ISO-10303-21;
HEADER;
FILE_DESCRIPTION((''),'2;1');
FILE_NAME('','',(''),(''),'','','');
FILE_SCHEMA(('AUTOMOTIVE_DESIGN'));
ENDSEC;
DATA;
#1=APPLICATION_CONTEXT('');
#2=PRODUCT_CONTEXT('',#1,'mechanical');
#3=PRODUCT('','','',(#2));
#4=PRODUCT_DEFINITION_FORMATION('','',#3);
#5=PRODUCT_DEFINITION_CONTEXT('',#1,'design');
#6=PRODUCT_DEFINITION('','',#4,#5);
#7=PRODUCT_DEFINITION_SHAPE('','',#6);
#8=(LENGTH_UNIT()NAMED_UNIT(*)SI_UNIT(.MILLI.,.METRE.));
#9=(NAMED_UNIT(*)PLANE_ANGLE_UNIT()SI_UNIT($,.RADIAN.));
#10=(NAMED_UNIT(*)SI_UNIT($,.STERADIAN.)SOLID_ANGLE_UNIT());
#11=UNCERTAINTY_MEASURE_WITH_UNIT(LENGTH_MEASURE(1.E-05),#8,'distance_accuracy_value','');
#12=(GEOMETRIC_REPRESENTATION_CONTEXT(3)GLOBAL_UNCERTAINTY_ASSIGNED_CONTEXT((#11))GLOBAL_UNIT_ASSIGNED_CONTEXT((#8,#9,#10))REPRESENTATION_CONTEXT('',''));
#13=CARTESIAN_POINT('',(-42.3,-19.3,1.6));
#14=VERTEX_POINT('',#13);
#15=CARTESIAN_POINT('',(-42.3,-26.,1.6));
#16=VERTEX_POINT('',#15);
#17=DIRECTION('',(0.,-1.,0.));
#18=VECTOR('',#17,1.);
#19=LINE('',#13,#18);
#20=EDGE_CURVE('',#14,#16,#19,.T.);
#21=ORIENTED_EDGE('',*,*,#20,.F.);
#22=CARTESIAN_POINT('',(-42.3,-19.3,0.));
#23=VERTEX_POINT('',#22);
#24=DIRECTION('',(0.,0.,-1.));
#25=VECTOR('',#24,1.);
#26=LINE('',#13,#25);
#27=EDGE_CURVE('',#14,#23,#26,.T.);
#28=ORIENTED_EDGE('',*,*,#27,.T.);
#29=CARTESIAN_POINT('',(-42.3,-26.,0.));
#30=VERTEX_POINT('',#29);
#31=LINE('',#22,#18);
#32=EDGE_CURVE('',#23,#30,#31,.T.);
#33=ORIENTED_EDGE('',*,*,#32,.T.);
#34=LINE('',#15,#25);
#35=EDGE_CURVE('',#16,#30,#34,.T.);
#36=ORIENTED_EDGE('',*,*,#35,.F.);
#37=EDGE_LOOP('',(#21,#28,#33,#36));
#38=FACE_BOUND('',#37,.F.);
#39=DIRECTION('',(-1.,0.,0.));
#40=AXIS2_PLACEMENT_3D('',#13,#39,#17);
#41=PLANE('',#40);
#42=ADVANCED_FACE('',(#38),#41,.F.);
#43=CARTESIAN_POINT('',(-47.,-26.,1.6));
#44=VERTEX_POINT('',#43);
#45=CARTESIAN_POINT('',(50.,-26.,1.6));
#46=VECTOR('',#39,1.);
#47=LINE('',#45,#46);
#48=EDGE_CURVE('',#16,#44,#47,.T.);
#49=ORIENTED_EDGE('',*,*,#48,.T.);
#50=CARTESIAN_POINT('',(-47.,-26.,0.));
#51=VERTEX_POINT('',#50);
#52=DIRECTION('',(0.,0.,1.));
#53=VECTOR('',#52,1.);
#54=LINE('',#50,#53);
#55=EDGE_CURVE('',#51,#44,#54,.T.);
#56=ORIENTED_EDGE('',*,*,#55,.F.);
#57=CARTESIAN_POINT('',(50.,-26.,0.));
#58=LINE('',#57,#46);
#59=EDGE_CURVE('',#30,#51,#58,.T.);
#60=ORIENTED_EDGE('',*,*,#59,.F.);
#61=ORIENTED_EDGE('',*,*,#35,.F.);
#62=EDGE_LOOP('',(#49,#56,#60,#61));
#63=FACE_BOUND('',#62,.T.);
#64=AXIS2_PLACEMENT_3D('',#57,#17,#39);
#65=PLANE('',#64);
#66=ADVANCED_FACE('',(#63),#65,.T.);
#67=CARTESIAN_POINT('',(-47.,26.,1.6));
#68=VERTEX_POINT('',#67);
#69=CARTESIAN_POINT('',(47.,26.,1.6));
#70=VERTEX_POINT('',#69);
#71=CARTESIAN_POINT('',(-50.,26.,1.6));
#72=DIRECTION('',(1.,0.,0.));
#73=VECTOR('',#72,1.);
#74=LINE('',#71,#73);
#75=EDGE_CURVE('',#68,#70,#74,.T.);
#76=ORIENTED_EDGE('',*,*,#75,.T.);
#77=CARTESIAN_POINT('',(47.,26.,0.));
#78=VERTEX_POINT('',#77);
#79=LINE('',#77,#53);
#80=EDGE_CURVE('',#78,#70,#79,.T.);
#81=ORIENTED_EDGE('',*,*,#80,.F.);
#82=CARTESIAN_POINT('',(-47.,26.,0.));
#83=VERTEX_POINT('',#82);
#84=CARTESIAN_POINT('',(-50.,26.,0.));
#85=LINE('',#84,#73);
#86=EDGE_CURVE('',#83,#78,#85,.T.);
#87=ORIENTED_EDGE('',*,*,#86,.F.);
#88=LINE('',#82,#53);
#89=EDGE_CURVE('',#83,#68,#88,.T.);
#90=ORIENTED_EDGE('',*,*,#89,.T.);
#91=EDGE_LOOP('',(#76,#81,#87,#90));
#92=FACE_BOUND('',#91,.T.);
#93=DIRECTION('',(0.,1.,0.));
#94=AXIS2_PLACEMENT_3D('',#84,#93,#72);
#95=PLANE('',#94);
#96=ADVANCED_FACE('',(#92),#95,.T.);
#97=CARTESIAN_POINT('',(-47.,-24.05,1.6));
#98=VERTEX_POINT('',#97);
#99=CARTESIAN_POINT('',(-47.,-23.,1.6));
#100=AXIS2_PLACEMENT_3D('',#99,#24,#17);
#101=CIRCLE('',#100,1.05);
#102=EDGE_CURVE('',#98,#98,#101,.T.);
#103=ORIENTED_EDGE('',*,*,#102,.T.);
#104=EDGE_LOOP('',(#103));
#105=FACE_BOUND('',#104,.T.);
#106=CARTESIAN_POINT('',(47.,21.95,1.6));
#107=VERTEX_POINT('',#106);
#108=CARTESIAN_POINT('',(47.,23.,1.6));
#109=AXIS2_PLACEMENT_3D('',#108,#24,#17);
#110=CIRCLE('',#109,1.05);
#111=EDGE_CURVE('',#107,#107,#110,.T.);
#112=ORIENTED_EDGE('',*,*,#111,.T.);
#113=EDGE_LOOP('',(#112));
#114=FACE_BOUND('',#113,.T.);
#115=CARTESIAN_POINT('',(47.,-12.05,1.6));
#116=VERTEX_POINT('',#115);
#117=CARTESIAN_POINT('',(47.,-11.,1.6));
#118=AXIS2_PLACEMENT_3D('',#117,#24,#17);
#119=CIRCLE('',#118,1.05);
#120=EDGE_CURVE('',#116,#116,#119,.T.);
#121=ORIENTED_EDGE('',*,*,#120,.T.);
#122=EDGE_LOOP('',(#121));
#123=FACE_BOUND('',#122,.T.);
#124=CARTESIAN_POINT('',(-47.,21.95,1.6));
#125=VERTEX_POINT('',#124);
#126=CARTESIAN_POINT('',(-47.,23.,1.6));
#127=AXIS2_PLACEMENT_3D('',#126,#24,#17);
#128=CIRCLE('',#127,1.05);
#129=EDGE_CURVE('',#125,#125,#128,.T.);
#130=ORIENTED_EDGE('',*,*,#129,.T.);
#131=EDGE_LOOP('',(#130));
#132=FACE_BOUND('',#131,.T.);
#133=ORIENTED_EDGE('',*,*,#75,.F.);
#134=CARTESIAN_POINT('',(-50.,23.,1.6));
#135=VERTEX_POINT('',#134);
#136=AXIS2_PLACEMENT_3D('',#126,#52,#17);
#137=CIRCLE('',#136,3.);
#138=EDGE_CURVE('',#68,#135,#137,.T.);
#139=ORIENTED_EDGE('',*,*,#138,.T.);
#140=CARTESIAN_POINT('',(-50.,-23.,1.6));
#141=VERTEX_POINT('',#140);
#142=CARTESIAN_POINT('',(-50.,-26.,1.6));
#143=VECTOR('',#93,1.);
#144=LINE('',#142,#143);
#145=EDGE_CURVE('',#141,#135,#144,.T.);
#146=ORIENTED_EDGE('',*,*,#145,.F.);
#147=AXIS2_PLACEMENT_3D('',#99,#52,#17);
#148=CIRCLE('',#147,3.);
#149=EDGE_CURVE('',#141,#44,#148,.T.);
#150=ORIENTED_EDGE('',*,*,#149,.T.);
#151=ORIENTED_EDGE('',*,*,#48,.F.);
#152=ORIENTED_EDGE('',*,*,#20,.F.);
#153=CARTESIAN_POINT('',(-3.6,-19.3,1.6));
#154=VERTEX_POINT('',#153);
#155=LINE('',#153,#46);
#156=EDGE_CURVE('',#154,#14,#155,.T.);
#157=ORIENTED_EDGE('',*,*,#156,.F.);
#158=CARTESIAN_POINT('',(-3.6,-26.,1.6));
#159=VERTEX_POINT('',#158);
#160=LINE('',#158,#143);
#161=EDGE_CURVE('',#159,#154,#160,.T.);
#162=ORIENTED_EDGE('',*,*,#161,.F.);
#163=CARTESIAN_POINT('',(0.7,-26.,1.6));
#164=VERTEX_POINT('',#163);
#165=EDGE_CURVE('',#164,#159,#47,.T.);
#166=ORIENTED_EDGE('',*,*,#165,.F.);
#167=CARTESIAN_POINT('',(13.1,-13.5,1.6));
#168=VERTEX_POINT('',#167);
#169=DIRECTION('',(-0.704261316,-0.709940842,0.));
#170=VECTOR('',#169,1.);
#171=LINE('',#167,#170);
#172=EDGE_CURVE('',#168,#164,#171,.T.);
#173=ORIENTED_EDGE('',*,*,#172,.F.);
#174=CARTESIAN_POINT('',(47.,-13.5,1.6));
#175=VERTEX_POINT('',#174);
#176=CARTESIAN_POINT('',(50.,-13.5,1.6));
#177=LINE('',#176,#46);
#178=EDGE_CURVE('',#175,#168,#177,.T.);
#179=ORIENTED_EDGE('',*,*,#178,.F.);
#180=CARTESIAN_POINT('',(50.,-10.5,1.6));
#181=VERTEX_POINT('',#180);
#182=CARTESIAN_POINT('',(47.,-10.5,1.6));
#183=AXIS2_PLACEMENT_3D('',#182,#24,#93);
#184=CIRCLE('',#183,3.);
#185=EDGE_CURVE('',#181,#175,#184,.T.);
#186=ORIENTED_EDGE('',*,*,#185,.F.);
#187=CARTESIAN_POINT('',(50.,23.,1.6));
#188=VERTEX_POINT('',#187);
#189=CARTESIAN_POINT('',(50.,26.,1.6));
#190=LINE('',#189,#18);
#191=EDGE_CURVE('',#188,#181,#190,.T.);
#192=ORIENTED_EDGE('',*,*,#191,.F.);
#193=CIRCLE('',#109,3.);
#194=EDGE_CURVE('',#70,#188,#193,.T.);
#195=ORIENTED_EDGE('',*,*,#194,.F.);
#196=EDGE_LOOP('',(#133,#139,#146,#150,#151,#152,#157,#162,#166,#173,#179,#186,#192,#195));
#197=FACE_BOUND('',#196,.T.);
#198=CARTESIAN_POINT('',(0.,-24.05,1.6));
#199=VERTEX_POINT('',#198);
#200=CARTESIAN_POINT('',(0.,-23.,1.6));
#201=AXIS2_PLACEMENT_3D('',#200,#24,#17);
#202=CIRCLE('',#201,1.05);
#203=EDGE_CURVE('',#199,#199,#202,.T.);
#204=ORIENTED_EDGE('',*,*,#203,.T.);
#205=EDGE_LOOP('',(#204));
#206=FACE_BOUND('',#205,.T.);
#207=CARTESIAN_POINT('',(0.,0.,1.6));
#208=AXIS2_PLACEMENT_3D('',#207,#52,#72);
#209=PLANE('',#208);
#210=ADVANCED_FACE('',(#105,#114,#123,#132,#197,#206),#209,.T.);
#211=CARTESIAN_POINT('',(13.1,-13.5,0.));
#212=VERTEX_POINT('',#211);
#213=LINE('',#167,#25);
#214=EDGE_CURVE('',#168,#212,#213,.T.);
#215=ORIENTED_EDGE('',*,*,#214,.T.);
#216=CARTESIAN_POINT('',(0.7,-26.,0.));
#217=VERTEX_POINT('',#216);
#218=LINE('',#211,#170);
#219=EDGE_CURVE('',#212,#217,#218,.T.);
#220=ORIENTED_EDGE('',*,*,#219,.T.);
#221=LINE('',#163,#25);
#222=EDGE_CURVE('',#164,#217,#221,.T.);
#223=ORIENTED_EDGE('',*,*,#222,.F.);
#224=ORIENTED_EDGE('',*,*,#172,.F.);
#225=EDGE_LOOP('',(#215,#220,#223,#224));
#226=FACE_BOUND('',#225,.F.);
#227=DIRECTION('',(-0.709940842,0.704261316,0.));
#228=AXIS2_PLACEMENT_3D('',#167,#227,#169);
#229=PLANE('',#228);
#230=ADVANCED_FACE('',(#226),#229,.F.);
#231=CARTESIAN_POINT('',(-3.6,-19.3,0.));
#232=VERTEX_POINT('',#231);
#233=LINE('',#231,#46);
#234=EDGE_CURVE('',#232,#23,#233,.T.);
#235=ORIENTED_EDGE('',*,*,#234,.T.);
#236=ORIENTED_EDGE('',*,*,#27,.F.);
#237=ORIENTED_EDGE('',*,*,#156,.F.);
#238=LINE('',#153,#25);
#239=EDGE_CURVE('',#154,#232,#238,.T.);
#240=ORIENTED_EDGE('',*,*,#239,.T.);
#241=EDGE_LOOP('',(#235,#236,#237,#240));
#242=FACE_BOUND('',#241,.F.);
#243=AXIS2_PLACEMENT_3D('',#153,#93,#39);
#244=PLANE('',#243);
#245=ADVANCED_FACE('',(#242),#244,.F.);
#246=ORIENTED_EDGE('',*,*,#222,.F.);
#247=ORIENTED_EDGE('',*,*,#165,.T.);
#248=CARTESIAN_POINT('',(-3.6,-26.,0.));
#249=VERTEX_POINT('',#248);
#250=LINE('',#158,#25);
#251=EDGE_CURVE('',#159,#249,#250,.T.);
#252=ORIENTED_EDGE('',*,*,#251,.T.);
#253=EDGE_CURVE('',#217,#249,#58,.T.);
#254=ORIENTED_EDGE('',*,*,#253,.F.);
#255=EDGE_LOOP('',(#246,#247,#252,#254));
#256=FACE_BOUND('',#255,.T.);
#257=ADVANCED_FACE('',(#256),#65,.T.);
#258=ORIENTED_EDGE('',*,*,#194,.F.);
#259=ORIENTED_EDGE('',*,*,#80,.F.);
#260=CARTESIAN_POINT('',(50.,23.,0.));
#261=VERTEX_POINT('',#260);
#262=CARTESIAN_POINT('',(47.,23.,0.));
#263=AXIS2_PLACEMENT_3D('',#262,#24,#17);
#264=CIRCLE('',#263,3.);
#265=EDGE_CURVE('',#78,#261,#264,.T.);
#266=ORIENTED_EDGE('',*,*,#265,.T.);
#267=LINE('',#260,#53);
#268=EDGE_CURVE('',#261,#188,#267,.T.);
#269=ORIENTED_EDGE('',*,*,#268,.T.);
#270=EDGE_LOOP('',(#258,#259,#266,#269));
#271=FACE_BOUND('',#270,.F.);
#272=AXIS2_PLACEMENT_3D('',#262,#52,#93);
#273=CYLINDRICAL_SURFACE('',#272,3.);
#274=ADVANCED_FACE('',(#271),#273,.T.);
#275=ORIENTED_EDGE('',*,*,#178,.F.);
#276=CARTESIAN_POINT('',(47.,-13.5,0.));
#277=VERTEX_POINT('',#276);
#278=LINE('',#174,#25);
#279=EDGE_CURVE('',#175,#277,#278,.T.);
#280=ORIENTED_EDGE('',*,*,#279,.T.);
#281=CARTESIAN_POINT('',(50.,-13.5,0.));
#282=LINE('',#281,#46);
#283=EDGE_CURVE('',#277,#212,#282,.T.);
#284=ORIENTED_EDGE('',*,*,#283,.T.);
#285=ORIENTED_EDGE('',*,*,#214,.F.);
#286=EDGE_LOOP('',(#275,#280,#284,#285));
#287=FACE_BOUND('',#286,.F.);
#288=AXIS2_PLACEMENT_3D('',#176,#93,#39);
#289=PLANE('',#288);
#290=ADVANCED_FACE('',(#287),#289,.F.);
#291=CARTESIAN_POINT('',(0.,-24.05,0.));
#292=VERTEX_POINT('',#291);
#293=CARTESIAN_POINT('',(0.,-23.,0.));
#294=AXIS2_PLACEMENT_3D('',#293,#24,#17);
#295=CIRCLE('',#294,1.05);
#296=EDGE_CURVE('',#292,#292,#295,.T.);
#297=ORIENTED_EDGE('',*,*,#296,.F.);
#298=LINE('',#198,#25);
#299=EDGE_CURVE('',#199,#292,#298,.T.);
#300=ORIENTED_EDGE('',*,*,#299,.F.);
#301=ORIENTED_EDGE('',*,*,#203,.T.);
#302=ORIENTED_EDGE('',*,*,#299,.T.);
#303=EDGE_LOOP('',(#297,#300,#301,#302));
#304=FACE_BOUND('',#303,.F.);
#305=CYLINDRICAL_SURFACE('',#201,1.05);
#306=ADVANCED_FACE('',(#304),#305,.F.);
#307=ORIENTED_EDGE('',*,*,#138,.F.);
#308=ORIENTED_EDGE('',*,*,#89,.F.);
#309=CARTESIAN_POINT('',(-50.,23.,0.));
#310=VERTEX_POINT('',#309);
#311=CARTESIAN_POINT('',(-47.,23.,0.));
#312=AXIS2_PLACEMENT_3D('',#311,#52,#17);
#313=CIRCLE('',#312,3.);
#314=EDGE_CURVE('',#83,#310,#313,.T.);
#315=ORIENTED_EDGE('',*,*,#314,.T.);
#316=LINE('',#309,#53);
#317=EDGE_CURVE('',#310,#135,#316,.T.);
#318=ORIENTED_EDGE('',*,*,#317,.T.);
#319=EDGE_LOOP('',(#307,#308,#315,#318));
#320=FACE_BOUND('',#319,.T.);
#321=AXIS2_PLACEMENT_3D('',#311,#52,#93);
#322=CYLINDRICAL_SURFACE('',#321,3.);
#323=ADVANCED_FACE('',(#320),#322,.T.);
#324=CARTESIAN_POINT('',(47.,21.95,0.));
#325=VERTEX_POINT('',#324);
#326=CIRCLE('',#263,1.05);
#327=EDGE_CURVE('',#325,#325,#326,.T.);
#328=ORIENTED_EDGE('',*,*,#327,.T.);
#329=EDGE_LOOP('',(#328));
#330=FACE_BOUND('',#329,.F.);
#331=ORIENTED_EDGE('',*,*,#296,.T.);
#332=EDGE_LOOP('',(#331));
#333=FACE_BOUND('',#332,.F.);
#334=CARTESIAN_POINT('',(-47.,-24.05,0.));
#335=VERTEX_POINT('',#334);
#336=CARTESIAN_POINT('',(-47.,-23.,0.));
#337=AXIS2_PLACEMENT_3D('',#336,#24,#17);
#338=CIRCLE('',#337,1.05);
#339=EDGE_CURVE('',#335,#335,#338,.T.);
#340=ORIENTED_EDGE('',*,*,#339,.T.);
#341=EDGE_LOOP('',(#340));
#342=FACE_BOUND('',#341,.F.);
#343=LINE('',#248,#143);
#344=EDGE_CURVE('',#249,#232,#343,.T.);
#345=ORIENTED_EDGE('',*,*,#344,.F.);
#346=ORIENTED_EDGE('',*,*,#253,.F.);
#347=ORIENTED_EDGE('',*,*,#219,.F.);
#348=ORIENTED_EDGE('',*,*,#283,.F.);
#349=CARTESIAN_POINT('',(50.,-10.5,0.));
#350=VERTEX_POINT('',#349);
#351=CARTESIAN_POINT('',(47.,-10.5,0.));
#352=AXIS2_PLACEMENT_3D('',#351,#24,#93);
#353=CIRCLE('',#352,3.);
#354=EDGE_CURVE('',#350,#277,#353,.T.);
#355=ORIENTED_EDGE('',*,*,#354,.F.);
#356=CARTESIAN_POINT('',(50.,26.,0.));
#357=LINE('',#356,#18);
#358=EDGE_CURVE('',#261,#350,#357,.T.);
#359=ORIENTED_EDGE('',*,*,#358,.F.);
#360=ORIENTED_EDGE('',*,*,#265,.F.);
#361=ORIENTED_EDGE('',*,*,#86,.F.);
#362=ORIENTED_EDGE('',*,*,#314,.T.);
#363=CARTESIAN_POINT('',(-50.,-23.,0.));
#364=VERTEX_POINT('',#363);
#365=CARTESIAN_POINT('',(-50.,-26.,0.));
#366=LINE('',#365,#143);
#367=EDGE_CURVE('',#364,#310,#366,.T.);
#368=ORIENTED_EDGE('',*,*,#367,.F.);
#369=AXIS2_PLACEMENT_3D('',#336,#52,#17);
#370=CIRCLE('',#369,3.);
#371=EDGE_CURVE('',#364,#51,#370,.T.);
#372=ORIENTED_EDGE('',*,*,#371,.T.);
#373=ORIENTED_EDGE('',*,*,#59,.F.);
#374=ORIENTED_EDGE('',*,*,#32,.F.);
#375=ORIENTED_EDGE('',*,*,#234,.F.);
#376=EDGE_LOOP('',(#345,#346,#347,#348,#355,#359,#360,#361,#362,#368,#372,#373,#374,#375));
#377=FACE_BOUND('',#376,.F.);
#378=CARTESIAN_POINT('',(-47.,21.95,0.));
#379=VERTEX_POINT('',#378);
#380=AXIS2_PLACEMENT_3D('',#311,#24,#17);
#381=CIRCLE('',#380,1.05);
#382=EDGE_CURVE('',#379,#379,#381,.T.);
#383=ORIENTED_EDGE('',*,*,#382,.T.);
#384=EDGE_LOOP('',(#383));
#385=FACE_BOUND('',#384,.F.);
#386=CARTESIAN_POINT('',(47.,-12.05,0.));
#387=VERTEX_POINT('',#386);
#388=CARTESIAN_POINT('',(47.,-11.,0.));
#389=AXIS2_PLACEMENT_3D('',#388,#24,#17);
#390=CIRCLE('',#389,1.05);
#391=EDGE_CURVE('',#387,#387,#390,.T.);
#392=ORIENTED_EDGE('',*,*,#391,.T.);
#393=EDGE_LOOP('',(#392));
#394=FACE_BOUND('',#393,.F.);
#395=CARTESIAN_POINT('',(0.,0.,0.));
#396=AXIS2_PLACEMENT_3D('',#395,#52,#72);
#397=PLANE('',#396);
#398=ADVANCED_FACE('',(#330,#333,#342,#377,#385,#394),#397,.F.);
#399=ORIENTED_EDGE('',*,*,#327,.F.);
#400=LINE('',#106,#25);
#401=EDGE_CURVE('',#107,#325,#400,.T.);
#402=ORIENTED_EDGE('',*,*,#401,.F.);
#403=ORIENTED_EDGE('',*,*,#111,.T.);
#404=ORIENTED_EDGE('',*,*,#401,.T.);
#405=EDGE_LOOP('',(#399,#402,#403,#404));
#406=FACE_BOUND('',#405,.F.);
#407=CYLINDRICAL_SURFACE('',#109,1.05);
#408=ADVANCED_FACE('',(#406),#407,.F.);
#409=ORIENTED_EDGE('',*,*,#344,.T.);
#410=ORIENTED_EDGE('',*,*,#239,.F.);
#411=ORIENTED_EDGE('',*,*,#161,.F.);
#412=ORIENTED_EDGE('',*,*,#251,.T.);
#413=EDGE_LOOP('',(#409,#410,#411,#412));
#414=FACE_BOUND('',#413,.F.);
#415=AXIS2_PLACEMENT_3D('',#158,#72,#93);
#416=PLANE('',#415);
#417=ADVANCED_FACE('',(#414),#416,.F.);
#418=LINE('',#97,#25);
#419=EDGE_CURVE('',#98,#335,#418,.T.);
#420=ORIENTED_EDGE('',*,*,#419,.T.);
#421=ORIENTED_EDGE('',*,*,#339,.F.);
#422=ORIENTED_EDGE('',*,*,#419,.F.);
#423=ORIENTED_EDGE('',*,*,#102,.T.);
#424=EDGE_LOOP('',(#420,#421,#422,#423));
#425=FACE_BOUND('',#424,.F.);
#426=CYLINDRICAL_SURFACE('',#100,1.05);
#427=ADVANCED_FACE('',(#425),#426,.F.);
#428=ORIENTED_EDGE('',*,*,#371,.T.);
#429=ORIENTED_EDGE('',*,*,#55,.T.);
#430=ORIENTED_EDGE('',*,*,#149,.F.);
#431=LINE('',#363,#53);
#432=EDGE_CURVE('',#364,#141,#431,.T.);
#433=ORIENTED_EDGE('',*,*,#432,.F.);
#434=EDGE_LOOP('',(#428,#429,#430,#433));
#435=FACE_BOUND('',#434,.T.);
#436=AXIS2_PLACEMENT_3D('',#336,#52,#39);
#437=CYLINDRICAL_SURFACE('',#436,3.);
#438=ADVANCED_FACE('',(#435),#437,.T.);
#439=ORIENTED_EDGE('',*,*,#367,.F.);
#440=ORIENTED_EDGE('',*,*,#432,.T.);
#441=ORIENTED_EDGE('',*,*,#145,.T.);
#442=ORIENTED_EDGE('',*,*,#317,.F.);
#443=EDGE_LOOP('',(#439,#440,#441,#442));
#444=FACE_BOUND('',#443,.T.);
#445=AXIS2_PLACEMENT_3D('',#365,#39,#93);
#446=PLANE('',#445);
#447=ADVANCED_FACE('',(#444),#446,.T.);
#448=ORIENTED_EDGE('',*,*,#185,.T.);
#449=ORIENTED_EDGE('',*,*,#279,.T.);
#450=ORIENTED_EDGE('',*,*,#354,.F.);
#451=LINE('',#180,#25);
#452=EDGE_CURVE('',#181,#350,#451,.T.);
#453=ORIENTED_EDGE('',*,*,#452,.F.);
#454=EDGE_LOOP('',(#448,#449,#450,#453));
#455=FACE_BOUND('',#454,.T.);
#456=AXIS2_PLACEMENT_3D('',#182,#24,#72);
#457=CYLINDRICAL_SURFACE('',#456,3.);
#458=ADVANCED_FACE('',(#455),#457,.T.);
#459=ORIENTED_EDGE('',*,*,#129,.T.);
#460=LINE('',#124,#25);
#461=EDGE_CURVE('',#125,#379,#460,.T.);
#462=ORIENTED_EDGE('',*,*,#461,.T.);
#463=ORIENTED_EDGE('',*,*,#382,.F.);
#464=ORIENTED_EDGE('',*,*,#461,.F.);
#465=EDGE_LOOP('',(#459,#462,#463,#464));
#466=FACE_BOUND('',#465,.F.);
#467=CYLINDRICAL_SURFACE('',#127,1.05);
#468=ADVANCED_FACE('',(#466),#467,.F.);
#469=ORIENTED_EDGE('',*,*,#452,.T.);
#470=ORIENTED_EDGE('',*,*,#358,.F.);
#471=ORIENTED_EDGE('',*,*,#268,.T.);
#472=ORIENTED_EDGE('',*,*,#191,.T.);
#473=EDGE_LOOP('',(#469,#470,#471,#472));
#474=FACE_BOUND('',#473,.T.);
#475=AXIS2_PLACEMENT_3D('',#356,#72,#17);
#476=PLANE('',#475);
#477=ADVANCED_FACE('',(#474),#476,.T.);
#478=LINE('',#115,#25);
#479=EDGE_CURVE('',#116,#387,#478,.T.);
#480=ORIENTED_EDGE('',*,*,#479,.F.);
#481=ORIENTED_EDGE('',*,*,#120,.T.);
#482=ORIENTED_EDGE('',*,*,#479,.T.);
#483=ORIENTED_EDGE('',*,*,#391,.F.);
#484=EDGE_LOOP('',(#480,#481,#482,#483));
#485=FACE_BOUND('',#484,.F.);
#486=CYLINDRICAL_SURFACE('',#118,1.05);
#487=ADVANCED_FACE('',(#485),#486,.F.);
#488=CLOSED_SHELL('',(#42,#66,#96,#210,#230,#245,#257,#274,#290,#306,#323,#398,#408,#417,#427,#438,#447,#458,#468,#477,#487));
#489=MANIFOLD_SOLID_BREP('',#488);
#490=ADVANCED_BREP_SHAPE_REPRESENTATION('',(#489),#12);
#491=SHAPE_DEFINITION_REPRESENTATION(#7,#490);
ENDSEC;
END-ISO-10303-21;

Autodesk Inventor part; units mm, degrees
ref_plane "YZ Plane" through (0, 0, 0) normal (1, 0, 0) x (0, 1, 0)
ref_plane "XZ Plane" through (0, 0, 0) normal (0, 1, 0) x (-1, 0, 0)
ref_plane "XY Plane" through (0, 0, 0) normal (0, 0, 1) x (1, 0, 0)
sketch "Sketch1" plane through (0, 0, 0) normal (0, 0, 1) x (1, 0, 0)
  line L0 (-50, 26) -> (50, 26)
  line L1 (50, 26) -> (50, -26)
  line L2 (50, -26) -> (-50, -26)
  line L3 (-50, -26) -> (-50, 26)
  point P0 (0, 0)
  dimension "d0" = 100
  dimension "d1" = 52
  dimension "d2" = 50
  dimension "d3" = 26
extrude "Extrusion1" add sketch "Sketch1" along normal blind 1.6
sketch "Sketch2" plane through (0, 0, 1.6) normal (0, 0, 1) x (1, 0, 0)
  line L0 (-50, 26) -> (-50, -26) projected
  line L1 (-50, -26) -> (50, -26) projected
  point P0 (0, 0)
  point P1 (-47, -23)
  point P2 (0, -23)
  point P3 (-47, 23)
  point P4 (47, 23)
  point P5 (47, -11)
  dimension "d6" = 3
  dimension "d7" = 3
  dimension "d8" = 50
  dimension "d9" = 3
  dimension "d10" = 97
  dimension "d11" = 15
  dimension "d12" = 3
  dimension "d13" = 49
  dimension "d14" = 97
  dimension "d15" = 49
hole "Hole1" at (-47, -23, 1.6) at (0, -23, 1.6) at (-47, 23, 1.6) at (47, 23, 1.6) at (47, -11, 1.6) direction (0, 0, -1) diameter 2.1 depth 10 tip angle 118
sketch "Sketch3" plane through (0, 0, 1.6) normal (0, 0, 1) x (1, 0, 0)
  line L0 (-50, -26) -> (50, -26) projected
  line L1 (-42.3, -26) -> (-3.6, -26)
  line L2 (-3.6, -26) -> (-3.6, -19.3)
  line L3 (-3.6, -19.3) -> (-42.3, -19.3)
  line L4 (-42.3, -19.3) -> (-42.3, -26)
  line L5 (50, -26) -> (50, 26) projected
  line L6 (13.1, -26) -> (50, -26)
  line L7 (50, -26) -> (50, -13.5)
  line L8 (50, -13.5) -> (13.1, -13.5)
  line L9 (13.1, -13.5) -> (13.1, -26)
  line L10 (13.1, -13.5) -> (0.7, -26)
  line L11 (0.7, -26) -> (13.1, -26)
  line L12 (-50, 26) -> (-50, -26) projected
  point P0 (0, 0)
  dimension "d23" = 7.7
  dimension "d24" = 6.7
  dimension "d25" = 46.4
  dimension "d26" = 50.7
  dimension "d27" = 63.1
  dimension "d28" = 12.5
extrude "Extrusion2" cut sketch "Sketch3" against normal blind 1.6
fillet "Fillet1" radius 3 4 edges at (-50, -26, 0.8) (-50, 26, 0.8) (50, -13.5, 0.8) (50, 26, 0.8)
properties part number "pcb_mockup"
